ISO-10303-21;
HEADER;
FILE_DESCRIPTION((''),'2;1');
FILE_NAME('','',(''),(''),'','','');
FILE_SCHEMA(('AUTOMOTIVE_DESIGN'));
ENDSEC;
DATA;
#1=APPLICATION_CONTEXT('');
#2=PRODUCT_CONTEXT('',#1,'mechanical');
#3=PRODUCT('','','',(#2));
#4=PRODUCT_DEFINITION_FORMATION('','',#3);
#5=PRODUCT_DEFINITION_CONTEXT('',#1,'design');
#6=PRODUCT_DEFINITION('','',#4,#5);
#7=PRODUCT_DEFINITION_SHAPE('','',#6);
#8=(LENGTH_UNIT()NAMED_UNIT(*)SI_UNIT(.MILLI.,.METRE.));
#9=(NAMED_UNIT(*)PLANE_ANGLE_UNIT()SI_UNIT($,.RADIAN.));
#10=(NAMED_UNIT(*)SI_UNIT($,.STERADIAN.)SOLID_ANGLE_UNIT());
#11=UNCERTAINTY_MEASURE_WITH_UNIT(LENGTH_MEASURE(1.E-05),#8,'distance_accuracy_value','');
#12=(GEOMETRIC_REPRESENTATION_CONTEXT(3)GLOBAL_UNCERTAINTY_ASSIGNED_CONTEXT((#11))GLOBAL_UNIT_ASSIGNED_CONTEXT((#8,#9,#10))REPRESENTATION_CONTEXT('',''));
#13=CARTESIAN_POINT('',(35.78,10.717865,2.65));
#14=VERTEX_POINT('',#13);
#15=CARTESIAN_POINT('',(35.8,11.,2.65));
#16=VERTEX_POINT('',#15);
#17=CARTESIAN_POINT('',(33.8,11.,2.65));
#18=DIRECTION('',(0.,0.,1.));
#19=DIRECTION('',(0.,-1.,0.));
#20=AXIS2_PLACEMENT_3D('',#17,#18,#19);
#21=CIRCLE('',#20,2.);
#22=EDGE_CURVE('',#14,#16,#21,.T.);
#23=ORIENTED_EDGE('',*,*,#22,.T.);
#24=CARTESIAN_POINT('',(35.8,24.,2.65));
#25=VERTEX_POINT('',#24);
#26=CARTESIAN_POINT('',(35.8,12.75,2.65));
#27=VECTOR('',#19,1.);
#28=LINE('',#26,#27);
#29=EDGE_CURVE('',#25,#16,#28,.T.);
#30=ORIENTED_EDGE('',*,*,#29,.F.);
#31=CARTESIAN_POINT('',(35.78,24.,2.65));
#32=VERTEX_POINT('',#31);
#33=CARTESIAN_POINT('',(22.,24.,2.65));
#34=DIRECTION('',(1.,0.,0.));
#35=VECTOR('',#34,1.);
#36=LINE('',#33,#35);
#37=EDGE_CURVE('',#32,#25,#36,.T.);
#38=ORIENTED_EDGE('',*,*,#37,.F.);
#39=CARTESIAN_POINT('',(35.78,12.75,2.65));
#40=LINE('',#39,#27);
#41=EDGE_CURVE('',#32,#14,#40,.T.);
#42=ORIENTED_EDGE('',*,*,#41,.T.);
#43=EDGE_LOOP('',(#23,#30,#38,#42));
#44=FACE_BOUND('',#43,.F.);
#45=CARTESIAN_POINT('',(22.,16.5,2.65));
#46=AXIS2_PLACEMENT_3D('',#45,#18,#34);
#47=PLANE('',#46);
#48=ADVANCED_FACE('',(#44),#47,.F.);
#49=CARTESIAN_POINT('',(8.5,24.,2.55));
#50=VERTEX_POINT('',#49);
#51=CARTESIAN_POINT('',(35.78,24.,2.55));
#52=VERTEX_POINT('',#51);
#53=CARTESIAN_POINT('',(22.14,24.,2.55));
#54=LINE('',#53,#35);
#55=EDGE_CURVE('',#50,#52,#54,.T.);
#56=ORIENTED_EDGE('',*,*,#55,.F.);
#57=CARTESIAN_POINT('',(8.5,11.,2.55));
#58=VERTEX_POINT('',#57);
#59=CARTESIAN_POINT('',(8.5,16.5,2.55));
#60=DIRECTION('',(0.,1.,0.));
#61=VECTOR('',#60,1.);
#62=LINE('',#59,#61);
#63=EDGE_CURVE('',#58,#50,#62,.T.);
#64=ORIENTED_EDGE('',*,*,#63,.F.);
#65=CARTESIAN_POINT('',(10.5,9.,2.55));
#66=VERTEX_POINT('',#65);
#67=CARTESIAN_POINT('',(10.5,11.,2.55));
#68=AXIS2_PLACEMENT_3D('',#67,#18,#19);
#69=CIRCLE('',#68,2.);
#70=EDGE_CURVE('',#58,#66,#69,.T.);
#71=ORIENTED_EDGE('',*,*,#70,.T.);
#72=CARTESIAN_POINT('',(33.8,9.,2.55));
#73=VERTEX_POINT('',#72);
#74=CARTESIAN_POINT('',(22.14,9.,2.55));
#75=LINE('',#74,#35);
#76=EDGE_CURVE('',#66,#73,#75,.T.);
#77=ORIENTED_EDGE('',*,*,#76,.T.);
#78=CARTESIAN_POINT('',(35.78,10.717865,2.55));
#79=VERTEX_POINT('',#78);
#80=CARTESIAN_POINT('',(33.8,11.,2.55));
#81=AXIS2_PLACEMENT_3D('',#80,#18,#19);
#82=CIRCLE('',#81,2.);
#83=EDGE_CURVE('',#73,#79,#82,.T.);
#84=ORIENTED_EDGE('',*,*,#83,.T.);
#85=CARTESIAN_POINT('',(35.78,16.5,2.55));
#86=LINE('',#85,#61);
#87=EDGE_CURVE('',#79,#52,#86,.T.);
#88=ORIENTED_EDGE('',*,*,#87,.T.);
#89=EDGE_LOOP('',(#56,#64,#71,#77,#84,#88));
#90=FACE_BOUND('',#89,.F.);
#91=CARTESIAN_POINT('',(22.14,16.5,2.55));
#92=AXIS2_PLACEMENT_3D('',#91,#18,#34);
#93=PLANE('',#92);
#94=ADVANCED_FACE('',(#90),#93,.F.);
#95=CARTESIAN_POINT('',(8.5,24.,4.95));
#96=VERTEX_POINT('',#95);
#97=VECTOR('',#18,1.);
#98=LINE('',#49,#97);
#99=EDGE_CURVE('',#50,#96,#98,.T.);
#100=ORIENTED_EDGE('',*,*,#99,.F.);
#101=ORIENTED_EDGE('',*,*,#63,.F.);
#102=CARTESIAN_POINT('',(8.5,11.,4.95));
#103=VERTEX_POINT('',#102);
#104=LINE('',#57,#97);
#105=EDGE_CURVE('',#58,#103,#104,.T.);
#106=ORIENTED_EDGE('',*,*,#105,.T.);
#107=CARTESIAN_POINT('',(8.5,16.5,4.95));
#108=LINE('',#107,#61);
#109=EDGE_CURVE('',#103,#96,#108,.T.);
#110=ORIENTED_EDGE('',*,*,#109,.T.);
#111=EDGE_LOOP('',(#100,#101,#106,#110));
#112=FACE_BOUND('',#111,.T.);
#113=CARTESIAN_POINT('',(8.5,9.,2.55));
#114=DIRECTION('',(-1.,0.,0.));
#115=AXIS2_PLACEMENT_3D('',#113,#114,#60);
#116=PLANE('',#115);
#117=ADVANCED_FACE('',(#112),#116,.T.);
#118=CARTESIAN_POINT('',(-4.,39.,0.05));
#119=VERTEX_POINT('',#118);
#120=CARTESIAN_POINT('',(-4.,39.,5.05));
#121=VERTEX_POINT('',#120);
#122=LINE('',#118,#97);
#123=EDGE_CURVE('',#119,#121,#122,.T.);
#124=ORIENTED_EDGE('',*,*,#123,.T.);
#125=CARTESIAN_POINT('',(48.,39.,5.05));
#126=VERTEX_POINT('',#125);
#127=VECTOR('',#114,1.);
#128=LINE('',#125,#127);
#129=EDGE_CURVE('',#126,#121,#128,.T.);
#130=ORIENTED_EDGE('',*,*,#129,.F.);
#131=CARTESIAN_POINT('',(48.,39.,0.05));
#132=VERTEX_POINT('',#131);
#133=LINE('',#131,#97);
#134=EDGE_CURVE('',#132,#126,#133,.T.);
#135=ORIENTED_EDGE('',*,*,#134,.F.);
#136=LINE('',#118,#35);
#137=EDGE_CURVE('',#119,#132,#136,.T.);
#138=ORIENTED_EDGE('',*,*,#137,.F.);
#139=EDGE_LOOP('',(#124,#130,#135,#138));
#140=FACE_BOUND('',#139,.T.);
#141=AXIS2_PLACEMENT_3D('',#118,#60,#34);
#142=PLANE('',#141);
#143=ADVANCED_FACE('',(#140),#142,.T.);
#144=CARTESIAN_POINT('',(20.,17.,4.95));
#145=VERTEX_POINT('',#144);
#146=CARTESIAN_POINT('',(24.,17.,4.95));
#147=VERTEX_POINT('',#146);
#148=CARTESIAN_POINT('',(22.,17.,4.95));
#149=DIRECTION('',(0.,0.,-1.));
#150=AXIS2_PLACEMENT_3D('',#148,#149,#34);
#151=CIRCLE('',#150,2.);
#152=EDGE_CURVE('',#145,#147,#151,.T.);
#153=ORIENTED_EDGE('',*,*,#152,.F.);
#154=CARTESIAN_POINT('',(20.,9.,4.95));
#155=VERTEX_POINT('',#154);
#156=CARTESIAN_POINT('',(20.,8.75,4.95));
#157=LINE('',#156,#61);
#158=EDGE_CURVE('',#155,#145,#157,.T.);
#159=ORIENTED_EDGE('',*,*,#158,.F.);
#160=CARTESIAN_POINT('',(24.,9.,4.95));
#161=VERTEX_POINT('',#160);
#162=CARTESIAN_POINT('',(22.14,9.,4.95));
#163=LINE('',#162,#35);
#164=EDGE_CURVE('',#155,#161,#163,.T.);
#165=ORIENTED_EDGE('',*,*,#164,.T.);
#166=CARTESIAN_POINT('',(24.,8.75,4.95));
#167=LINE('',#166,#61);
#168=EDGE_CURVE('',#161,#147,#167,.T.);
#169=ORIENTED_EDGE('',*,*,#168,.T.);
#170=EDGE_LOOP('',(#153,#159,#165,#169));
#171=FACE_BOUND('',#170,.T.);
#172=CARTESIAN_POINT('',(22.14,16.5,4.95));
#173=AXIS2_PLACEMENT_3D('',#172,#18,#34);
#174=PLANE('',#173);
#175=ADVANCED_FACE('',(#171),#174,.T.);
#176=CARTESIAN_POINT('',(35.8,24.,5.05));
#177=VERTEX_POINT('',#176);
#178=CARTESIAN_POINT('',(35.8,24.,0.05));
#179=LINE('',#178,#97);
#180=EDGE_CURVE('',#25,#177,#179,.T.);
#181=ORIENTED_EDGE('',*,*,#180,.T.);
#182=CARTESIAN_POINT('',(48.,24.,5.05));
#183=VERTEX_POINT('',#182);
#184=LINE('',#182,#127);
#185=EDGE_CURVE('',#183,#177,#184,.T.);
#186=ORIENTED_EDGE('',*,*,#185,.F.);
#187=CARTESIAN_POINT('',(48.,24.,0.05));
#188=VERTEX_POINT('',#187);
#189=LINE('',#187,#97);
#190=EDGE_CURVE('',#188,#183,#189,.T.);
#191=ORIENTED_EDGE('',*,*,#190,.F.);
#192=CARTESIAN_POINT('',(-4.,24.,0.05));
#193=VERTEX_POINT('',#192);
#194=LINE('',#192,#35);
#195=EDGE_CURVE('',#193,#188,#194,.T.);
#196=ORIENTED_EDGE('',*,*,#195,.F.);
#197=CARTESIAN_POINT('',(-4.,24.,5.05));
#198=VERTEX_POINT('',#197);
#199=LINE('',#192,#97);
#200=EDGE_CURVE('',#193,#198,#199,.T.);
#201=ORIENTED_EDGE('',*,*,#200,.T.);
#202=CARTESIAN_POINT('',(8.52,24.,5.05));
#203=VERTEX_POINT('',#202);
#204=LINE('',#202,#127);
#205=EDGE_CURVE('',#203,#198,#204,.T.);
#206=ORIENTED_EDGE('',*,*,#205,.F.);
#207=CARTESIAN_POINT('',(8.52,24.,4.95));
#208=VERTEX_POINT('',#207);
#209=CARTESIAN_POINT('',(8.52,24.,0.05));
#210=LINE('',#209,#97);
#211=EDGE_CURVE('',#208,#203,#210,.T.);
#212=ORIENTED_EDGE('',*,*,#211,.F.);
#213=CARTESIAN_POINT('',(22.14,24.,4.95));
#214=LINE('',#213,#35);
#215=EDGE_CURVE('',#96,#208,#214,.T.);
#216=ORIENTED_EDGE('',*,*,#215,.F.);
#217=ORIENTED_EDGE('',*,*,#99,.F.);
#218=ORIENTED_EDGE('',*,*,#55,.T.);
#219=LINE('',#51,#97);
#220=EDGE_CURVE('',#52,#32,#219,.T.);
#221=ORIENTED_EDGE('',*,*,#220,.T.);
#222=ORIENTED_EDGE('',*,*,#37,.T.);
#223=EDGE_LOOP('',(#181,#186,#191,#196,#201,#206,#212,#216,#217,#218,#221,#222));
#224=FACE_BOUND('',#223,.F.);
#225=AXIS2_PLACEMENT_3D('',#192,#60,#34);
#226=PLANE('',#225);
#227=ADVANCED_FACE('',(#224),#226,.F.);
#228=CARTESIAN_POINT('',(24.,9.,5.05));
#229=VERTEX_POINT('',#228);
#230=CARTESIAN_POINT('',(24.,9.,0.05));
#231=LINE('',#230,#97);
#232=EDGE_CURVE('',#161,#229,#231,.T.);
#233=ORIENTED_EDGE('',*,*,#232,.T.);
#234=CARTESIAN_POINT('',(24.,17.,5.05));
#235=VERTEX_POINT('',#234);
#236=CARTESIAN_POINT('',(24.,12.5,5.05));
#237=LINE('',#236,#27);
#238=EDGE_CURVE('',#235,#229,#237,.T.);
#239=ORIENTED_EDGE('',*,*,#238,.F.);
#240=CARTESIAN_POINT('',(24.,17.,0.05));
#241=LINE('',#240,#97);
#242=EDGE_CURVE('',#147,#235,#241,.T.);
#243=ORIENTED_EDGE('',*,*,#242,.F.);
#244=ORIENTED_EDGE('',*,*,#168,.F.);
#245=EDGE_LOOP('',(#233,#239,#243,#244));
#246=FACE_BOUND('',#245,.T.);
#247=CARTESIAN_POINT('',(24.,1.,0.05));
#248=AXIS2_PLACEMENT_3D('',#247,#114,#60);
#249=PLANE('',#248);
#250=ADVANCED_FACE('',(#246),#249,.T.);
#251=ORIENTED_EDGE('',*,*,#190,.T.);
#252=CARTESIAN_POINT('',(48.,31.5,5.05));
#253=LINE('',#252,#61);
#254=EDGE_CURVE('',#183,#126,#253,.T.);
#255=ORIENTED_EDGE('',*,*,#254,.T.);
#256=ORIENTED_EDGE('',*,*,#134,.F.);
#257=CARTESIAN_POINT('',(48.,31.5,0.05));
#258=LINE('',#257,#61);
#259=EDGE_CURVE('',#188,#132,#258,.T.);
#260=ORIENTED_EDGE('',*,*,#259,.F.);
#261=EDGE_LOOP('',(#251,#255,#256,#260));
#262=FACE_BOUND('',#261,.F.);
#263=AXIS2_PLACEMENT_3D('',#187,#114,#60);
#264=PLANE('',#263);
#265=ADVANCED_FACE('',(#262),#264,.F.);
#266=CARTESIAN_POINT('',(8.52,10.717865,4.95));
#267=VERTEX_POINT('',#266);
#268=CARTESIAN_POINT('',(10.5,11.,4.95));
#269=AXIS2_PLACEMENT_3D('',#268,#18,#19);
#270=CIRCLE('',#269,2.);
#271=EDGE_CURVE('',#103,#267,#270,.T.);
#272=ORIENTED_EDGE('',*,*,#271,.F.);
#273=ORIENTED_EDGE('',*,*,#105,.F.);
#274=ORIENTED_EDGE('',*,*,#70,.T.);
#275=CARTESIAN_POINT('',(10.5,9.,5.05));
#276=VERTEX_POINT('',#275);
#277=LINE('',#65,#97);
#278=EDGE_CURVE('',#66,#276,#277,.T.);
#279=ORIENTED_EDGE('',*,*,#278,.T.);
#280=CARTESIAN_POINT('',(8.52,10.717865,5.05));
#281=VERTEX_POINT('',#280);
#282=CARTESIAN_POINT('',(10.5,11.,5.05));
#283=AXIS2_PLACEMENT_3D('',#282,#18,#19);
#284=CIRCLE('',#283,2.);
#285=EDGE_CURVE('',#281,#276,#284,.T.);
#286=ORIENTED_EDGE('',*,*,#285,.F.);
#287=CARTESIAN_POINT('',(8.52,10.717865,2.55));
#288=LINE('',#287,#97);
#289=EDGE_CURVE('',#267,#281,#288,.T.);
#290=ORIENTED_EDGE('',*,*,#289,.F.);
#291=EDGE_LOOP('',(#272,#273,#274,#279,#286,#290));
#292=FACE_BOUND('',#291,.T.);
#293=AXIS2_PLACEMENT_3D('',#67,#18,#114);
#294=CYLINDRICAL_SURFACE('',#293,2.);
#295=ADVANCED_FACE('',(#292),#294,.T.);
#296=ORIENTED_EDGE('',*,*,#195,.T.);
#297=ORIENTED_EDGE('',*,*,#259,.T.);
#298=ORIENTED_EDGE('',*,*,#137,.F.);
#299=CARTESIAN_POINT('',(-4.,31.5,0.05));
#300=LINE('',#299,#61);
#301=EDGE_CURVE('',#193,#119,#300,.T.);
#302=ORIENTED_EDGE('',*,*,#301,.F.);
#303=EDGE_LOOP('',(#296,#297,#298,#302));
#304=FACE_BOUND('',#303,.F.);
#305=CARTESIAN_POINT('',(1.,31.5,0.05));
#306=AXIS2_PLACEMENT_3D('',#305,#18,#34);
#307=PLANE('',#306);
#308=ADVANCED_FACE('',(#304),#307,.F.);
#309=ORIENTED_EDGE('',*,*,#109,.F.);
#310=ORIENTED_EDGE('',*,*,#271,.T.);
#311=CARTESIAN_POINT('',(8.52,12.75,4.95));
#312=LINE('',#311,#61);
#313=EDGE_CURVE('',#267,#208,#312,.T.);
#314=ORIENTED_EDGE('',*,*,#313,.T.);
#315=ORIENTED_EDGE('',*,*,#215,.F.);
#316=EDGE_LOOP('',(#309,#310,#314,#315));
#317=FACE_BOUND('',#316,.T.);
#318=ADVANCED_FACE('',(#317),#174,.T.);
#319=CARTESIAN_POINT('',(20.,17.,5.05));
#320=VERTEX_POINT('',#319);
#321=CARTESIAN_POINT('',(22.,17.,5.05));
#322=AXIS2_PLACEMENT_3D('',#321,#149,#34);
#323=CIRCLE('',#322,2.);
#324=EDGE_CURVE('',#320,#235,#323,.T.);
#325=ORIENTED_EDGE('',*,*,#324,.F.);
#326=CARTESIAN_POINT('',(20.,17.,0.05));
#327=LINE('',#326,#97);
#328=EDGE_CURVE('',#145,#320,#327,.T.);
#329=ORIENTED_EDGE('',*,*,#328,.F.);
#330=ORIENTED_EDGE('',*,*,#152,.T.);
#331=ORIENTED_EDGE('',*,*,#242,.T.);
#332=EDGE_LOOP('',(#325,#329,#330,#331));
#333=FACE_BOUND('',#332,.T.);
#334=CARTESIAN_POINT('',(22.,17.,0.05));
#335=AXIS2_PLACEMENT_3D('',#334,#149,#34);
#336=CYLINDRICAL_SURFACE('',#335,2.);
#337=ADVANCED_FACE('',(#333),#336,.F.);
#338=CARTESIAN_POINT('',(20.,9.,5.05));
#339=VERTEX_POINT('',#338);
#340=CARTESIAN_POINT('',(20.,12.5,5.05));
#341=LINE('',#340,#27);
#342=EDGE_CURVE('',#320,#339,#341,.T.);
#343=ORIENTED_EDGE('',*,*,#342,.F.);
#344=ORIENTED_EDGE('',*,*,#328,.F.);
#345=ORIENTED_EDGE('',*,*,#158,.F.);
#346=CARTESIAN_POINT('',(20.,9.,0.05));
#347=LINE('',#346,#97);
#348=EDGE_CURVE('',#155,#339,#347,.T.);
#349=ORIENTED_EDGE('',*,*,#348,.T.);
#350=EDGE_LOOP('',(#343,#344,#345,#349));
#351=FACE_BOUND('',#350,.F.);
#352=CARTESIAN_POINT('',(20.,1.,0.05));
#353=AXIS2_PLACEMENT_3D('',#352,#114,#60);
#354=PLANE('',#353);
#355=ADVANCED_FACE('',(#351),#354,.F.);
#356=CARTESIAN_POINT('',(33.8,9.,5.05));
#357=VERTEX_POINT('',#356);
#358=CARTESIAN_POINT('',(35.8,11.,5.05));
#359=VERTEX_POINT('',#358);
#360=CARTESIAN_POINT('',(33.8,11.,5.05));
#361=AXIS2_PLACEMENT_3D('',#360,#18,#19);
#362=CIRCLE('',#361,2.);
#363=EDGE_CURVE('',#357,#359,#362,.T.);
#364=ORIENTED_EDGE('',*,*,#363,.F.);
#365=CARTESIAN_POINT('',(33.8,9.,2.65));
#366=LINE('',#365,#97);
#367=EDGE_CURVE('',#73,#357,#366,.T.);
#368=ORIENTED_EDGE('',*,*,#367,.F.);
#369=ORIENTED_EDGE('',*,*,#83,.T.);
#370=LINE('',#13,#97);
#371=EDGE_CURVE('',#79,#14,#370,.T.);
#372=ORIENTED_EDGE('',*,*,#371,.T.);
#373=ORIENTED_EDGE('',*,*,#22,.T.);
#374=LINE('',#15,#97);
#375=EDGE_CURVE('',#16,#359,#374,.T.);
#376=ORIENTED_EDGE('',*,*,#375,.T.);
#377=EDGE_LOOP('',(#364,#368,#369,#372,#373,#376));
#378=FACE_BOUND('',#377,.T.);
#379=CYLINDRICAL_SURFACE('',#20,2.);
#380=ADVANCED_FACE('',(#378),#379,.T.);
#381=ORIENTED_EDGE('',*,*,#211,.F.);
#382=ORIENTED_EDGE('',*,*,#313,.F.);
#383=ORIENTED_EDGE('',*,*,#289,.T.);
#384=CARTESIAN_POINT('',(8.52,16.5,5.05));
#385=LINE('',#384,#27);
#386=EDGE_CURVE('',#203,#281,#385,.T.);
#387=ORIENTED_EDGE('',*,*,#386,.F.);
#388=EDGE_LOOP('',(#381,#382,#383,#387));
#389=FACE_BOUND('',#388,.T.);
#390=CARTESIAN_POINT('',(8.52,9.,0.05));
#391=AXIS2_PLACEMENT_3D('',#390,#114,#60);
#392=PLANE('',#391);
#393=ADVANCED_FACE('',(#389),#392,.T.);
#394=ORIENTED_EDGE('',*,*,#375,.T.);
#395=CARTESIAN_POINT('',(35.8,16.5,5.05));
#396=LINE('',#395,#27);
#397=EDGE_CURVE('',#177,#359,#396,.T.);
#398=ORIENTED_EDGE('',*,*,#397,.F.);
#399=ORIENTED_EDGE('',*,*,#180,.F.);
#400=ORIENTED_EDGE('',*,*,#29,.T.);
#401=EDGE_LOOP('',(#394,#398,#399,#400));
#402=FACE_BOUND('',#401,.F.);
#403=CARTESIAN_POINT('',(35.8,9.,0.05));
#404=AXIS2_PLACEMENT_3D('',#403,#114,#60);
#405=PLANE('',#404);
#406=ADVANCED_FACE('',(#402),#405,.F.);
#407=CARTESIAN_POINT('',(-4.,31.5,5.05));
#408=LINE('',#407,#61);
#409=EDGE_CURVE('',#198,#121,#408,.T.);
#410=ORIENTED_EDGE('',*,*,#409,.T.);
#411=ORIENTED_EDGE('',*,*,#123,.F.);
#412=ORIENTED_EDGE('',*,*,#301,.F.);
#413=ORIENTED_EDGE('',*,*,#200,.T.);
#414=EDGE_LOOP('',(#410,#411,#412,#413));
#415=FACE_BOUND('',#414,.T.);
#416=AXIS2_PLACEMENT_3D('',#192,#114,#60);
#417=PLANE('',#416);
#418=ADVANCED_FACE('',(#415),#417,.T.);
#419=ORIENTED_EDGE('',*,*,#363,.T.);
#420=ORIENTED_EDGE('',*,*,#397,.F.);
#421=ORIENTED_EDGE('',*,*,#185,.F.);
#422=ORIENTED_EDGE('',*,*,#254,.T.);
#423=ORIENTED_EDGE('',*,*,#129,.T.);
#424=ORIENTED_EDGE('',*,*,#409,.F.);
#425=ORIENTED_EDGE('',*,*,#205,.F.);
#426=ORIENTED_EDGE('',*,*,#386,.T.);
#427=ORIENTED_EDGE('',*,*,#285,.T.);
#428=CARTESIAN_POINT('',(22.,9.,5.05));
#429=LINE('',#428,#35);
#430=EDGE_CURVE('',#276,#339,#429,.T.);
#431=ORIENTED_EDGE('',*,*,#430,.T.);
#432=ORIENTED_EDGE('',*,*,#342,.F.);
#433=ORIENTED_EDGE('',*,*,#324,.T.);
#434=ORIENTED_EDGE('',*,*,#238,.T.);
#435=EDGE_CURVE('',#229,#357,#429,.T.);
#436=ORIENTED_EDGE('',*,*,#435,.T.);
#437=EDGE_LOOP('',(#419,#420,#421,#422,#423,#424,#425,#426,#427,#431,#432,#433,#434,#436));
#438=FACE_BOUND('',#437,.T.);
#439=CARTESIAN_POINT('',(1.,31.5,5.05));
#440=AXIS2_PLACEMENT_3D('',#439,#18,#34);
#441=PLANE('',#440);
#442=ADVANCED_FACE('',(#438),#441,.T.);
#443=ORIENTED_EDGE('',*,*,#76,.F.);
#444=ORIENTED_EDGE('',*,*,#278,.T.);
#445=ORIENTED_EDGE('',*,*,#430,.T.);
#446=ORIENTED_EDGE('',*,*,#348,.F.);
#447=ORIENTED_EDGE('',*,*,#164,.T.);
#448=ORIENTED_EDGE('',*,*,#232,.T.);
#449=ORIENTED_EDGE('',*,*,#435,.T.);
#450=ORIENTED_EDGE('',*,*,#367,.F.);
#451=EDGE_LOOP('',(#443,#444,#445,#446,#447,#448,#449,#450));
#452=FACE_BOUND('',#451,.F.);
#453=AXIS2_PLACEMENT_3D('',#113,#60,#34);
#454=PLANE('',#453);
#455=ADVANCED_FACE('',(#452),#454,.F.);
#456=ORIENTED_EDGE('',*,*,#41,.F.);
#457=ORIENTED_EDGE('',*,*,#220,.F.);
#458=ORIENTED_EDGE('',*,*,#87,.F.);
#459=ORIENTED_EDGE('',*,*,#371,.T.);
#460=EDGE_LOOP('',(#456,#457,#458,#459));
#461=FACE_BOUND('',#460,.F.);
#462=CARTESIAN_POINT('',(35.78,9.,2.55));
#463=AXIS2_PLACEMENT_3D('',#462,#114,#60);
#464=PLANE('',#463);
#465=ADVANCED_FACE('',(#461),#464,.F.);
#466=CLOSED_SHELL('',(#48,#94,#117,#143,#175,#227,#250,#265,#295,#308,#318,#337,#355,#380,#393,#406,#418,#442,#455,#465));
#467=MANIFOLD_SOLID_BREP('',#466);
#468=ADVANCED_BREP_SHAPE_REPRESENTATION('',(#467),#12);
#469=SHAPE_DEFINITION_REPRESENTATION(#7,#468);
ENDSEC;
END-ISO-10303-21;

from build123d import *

# Parameters (mm, degrees)
BOX033_W          = 27.28
BOX033_H          = 15
BOX033_DEPTH      = 2.4
BOX031_W          = 10
BOX031_H          = 15
BOX031_DEPTH      = 5
BOX032_W          = 10
BOX032_H          = 15
BOX032_DEPTH      = 5
BOX030_W          = 4
BOX030_H          = 16
BOX030_DEPTH      = 10
CYLINDER023_R     = 2
CYLINDER023_DEPTH = 10
BOX029_W          = 8.2
BOX029_H          = 15
BOX029_DEPTH      = 10
BOX028_W          = 8.52
BOX028_H          = 15
BOX028_DEPTH      = 10
BOX027_W          = 44
BOX027_H          = 15
BOX027_DEPTH      = 2.6
BOX026_W          = 44
BOX026_H          = 30
BOX026_DEPTH      = 5
FILLET006_R       = 2


with BuildPart() as cube033:
    # Box033 → Box033 (new body)
    with BuildSketch(Plane(origin=(8.5, 21, 2.5), x_dir=(1, 0, 0), z_dir=(0, 0, 1))):
        with Locations((13.64, 7.5)):
            Rectangle(BOX033_W, BOX033_H)
    extrude(amount=BOX033_DEPTH)


with BuildPart() as cube031:
    # Box031 → Box031 (new body)
    with BuildSketch(Plane(origin=(-4, 36, 0), x_dir=(1, 0, 0), z_dir=(0, 0, 1))):
        with Locations((5, 7.5)):
            Rectangle(BOX031_W, BOX031_H)
    extrude(amount=BOX031_DEPTH)


with BuildPart() as cube032:
    # Box032 → Box032 (new body)
    with BuildSketch(Plane(origin=(38, 36, 0), x_dir=(1, 0, 0), z_dir=(0, 0, 1))):
        with Locations((5, 7.5)):
            Rectangle(BOX032_W, BOX032_H)
    extrude(amount=BOX032_DEPTH)


with BuildPart() as cube030:
    # Box030 → Box030 (new body)
    with BuildSketch(Plane(origin=(20, -8, 0), x_dir=(1, 0, 0), z_dir=(0, 0, 1))):
        with Locations((2, 8)):
            Rectangle(BOX030_W, BOX030_H)
    extrude(amount=BOX030_DEPTH)


with BuildPart() as fusion024:
    # Cylinder023 → Cylinder023 (new body)
    with BuildSketch(Plane(origin=(22, 8, 0), x_dir=(1, 0, 0), z_dir=(0, 0, 1))):
        Circle(CYLINDER023_R)
    extrude(amount=CYLINDER023_DEPTH)

    # Fusion024: union Cube030
    add(cube030.part)


with BuildPart() as cube029:
    # Box029 → Box029 (new body)
    with BuildSketch(Plane(origin=(35.8, 0, 0), x_dir=(1, 0, 0), z_dir=(0, 0, 1))):
        with Locations((4.1, 7.5)):
            Rectangle(BOX029_W, BOX029_H)
    extrude(amount=BOX029_DEPTH)


with BuildPart() as cube028:
    # Box028 → Box028 (new body)
    with BuildSketch(Plane.XY):
        with Locations((4.26, 7.5)):
            Rectangle(BOX028_W, BOX028_H)
    extrude(amount=BOX028_DEPTH)


with BuildPart() as cube027:
    # Box027 → Box027 (new body)
    with BuildSketch(Plane.XY):
        with Locations((22, 7.5)):
            Rectangle(BOX027_W, BOX027_H)
    extrude(amount=BOX027_DEPTH)


with BuildPart() as exterior_parte2_v2_base:
    # Box026 → Box026 (new body)
    with BuildSketch(Plane.XY):
        with Locations((22, 15)):
            Rectangle(BOX026_W, BOX026_H)
    extrude(amount=BOX026_DEPTH)

    # Cut007002012: cut Cube027
    add(cube027.part, mode=Mode.SUBTRACT)

    # Cut007002013: cut Cube028
    add(cube028.part, mode=Mode.SUBTRACT)

    # Cut007002014: cut Cube029
    add(cube029.part, mode=Mode.SUBTRACT)

    # Cut007002015: cut Fusion024
    add(fusion024.part, mode=Mode.SUBTRACT)


with BuildPart() as exterior_parte2_v2_base_1:
    # Cut007002015 placement: moved
    add(exterior_parte2_v2_base.part.moved(Location((0, 21, 0))))

    # Fusion025: union Cube031, Cube032
    add(cube031.part)
    add(cube032.part)

    # Fusion026: union Cube033
    add(cube033.part)

    # Fillet006
    fillet006_edges = [exterior_parte2_v2_base_1.edges().sort_by_distance(p)[0] for p in [
        (8.5, 21, 3.7),
        (35.8, 21, 3.8),
    ]]
    fillet(fillet006_edges, radius=FILLET006_R)


with BuildPart() as exterior_parte2_v2_base_2:
    # Fillet006 placement: moved
    add(exterior_parte2_v2_base_1.part.moved(Location((0, -12, 0.05))))


solid = exterior_parte2_v2_base_2.part
